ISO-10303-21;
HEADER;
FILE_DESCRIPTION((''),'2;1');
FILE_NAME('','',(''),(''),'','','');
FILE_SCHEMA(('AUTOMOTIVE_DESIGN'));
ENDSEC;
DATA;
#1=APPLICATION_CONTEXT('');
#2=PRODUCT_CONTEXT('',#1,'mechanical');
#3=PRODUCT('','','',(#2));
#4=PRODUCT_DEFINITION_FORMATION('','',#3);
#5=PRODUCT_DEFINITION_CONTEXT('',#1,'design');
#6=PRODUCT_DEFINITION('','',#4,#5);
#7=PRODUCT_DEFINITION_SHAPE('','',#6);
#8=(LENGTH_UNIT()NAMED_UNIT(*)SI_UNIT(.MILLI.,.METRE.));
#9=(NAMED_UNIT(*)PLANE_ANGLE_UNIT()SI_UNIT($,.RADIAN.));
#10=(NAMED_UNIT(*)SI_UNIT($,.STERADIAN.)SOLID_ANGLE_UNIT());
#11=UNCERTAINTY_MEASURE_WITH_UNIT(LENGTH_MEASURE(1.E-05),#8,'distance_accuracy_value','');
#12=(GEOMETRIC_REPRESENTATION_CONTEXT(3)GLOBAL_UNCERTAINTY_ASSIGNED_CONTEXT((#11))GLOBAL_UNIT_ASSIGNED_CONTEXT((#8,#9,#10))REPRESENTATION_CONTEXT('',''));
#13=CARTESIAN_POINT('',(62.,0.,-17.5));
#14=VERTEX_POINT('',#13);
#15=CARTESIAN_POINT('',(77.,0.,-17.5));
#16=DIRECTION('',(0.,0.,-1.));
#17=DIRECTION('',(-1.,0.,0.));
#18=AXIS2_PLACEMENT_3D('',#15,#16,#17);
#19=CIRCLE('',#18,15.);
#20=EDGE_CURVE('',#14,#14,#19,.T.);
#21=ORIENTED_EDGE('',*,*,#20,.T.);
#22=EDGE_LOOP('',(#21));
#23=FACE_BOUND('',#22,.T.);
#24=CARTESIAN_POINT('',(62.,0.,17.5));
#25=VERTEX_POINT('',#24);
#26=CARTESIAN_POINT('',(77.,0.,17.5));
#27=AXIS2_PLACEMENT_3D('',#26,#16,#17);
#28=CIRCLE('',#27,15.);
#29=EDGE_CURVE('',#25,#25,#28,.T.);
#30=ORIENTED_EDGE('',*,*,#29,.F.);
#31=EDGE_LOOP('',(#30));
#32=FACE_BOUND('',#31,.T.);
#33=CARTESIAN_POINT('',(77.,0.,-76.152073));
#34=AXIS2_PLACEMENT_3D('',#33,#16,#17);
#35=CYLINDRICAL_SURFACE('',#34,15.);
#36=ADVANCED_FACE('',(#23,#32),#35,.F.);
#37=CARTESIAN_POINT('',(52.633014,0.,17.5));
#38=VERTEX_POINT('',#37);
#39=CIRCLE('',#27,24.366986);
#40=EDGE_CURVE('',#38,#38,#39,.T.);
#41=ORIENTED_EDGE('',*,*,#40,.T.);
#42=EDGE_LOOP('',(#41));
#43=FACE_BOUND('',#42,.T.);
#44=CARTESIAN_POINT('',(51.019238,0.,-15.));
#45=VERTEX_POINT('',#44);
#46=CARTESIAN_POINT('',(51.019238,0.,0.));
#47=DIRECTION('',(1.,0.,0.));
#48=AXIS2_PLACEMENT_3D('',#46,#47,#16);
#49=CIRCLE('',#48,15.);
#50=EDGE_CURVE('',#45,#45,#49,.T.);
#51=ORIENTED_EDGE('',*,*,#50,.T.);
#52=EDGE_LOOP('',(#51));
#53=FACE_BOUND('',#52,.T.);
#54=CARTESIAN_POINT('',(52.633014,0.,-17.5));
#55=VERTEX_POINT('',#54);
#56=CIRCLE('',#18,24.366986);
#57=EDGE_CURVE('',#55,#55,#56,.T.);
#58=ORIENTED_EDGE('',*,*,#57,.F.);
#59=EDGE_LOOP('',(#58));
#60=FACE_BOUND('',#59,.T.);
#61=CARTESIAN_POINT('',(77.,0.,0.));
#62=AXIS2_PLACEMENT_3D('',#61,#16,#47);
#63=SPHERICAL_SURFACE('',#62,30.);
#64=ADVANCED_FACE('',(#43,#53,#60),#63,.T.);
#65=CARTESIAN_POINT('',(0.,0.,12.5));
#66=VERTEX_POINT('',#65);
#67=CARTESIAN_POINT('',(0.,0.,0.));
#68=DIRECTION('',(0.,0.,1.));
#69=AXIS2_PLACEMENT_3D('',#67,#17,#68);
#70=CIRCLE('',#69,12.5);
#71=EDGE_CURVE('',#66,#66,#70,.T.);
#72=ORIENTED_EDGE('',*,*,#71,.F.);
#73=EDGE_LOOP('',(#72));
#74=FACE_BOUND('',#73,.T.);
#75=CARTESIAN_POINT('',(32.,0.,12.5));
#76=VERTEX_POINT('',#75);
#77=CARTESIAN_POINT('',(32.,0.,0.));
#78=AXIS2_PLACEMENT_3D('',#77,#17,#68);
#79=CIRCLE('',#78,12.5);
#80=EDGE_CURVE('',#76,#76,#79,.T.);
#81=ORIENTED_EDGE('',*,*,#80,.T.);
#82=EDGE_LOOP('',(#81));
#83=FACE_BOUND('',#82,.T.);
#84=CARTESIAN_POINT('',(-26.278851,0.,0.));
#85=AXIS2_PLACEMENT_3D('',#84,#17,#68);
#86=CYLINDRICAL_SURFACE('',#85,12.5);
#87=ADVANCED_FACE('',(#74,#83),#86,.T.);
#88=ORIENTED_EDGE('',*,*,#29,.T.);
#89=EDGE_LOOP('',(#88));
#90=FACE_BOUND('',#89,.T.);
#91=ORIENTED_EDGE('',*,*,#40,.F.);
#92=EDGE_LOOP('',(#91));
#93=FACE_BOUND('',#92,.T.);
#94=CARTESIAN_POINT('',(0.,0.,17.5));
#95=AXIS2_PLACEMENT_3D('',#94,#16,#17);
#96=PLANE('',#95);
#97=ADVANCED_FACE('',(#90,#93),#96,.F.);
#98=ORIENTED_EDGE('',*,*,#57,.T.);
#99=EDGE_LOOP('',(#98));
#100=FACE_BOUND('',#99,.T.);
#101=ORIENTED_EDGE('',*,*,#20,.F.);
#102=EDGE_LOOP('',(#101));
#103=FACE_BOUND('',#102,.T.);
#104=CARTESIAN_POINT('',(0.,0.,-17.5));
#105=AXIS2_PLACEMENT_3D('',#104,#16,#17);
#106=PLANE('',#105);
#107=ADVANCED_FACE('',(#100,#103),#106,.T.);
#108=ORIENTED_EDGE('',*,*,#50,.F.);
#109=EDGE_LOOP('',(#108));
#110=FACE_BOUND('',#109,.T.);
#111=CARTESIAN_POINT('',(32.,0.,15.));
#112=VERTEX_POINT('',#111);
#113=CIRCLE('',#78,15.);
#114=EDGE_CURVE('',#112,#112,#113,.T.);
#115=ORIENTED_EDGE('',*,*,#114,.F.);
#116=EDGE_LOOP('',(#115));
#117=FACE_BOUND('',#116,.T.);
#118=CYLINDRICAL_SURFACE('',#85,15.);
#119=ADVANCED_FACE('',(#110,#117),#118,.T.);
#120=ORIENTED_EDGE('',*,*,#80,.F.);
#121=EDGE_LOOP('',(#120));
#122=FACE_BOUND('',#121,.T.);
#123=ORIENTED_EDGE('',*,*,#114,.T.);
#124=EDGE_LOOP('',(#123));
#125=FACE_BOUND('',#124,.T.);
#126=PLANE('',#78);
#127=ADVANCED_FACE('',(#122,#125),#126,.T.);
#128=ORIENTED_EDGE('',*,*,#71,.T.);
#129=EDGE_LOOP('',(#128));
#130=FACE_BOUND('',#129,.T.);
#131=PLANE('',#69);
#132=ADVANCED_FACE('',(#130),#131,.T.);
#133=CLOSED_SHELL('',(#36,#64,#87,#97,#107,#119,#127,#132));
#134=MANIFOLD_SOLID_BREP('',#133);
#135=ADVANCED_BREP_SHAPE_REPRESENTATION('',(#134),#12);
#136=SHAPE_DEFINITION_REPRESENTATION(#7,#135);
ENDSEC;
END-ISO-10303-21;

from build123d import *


with BuildPart() as part:
    # Skica1 → Rotovat3 (revolve)
    with BuildSketch(Plane(origin=(0, 0, 0), x_dir=(1, 0, 0), z_dir=(0, 1, 0))):
        Polygon((0, 12.5), (0, 0), (51.019237886, 0), (51.019237886, 15), (32, 15), (32, 12.5), align=None)
    revolve(axis=Axis((-26.278850793, 0, 0), (1, 0, 0)))

    # Skica1<4> → Rotovat4 (revolve)
    with BuildSketch(Plane(origin=(0, 0, 0), x_dir=(1, 0, 0), z_dir=(0, 1, 0))):
        with BuildLine():
            Line((92, 17.5), (92, -17.5))
            Line((92, -17.5), (101.366985862, -17.5))
            ThreePointArc((101.366985862, -17.5), (107, 0), (101.366985862, 17.5))
            Line((101.366985862, 17.5), (92, 17.5))
        make_face()
    revolve(axis=Axis((77, 0, -76.152073434), (0, 0, 1)))


solid = part.part
